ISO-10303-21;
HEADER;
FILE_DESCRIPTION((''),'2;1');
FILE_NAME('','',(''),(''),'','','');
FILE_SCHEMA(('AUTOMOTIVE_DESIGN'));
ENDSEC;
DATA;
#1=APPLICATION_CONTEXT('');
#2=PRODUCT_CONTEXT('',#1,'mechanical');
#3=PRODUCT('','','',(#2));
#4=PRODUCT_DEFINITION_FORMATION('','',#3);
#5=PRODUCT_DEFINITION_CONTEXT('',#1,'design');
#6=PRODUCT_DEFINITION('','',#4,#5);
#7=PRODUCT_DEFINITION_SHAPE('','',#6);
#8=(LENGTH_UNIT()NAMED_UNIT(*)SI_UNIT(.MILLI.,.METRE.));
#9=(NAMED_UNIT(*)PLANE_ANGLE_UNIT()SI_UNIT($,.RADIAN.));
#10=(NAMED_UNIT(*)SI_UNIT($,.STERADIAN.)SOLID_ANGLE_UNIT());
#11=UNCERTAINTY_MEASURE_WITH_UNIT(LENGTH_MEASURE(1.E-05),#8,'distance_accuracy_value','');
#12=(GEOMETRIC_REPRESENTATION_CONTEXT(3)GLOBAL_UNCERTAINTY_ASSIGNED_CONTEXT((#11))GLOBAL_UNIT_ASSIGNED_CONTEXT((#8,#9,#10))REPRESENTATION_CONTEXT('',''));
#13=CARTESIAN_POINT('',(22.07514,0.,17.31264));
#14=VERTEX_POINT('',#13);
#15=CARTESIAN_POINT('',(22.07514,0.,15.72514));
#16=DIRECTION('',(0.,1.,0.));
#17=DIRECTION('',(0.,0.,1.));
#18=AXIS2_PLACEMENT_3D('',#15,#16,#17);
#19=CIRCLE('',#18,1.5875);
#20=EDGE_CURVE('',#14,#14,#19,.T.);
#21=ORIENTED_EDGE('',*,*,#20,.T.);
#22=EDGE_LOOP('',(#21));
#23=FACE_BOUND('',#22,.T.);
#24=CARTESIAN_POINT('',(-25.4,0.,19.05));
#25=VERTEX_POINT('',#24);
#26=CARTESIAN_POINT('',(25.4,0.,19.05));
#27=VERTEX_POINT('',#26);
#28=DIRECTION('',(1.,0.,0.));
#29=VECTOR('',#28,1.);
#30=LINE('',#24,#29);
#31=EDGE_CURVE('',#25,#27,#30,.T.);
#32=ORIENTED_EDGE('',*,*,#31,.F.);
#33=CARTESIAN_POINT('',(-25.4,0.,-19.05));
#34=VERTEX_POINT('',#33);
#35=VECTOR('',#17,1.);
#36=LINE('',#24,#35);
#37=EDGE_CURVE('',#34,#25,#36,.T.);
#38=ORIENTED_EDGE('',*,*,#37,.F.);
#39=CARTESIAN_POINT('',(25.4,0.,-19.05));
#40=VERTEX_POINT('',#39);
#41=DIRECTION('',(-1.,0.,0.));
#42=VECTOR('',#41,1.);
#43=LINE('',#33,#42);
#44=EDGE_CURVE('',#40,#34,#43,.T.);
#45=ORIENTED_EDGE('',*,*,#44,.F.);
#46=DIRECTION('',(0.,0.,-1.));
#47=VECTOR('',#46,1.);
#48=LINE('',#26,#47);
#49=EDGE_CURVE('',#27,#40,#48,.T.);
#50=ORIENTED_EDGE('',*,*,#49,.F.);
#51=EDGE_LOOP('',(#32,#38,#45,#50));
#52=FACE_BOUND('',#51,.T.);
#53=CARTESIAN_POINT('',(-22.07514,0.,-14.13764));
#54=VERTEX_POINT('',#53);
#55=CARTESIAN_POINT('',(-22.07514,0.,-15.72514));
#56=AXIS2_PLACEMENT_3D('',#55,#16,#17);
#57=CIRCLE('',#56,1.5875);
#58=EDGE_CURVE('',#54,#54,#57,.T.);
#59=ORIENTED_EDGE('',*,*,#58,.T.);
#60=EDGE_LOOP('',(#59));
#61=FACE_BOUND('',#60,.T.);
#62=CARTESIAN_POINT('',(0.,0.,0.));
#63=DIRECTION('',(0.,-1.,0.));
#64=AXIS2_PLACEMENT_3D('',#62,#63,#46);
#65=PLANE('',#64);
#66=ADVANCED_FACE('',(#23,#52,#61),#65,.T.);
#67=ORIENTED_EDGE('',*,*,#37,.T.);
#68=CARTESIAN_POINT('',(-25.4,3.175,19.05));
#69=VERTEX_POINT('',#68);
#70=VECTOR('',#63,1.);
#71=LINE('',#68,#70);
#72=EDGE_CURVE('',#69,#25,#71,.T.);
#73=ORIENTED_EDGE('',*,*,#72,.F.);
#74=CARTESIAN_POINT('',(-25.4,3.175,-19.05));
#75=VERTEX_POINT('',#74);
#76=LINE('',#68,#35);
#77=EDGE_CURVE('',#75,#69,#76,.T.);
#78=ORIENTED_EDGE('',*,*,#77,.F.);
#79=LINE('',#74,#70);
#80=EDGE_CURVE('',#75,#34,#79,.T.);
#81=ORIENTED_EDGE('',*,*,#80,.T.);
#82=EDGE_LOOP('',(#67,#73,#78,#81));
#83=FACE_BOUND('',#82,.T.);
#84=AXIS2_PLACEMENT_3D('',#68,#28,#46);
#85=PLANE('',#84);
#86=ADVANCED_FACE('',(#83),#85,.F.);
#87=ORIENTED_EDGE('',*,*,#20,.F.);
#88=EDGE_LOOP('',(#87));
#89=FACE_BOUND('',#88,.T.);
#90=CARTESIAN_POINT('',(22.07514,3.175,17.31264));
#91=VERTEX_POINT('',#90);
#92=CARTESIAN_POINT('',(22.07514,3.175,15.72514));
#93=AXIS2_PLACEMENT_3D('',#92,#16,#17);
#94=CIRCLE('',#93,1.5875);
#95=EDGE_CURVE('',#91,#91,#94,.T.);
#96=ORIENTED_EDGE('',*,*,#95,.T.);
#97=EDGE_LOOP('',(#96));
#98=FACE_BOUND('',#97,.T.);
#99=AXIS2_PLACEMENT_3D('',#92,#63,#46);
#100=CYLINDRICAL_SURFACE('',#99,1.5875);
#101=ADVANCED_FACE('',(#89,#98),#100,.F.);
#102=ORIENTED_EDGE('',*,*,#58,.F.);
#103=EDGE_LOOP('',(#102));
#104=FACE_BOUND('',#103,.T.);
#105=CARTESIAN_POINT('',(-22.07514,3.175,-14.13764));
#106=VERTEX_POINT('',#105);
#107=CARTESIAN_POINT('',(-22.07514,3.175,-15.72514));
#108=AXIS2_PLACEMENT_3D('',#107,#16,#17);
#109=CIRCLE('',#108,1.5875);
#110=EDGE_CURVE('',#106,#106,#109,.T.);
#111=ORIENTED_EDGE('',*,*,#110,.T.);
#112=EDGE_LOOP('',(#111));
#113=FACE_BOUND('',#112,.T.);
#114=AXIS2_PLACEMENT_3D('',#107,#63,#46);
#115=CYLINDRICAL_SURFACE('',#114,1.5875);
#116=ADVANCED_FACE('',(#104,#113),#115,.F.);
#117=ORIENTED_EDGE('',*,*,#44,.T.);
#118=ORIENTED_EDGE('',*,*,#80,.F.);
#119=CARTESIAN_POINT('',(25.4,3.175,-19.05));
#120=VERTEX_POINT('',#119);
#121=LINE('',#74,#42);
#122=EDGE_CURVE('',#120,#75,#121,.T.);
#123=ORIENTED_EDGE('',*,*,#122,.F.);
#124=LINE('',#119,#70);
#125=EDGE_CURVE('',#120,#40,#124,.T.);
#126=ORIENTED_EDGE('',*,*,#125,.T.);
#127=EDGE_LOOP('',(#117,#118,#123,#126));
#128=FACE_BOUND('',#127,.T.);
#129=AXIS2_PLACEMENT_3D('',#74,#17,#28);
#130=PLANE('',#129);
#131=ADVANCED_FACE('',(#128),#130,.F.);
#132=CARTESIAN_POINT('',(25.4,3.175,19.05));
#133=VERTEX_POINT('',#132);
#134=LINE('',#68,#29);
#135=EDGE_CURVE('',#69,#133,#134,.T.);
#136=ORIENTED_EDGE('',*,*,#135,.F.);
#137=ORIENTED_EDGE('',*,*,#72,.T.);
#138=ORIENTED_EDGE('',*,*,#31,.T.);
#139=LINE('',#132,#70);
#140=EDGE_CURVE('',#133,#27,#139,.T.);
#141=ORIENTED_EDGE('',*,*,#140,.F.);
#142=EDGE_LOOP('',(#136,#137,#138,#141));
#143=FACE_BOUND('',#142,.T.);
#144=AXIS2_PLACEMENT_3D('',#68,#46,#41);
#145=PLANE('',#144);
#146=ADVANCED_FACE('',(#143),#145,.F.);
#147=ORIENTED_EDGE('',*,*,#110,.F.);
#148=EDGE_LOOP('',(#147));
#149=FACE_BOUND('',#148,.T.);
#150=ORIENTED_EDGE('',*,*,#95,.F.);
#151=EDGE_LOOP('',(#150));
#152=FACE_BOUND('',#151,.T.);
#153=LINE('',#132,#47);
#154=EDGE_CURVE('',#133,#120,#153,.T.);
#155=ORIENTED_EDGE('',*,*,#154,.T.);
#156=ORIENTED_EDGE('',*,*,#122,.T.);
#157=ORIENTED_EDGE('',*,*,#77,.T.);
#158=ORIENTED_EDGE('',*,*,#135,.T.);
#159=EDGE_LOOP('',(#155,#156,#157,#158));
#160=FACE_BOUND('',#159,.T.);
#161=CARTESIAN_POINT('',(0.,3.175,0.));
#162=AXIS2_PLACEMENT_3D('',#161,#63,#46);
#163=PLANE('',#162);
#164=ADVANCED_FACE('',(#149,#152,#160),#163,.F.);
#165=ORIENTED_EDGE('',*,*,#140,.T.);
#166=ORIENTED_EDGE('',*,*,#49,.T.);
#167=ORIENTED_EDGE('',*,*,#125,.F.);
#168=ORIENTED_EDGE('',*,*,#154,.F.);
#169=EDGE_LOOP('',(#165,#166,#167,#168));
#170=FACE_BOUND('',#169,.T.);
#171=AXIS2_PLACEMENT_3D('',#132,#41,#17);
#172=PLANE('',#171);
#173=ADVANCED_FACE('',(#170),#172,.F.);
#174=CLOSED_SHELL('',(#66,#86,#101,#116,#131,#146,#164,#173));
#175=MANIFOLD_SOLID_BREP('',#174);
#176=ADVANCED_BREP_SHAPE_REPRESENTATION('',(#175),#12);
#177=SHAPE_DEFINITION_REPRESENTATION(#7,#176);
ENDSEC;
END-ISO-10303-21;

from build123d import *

# Parameters (mm, degrees)
SKETCH1_W           = 50.8
SKETCH1_H           = 38.1
SKETCH1_R           = 1.5875
BOSS_EXTRUDE1_DEPTH = 3.175


with BuildPart() as part:
    # Sketch1 → Boss-Extrude1 (new body)
    with BuildSketch(Plane(origin=(0, 0, 0), x_dir=(1, 0, 0), z_dir=(0, 1, 0))):
        Rectangle(SKETCH1_W, SKETCH1_H)
        with Locations((-22.07514, 15.72514)):
            Circle(SKETCH1_R, mode=Mode.SUBTRACT)
        with Locations((22.07514, -15.72514)):
            Circle(SKETCH1_R, mode=Mode.SUBTRACT)
    extrude(amount=BOSS_EXTRUDE1_DEPTH)


solid = part.part
